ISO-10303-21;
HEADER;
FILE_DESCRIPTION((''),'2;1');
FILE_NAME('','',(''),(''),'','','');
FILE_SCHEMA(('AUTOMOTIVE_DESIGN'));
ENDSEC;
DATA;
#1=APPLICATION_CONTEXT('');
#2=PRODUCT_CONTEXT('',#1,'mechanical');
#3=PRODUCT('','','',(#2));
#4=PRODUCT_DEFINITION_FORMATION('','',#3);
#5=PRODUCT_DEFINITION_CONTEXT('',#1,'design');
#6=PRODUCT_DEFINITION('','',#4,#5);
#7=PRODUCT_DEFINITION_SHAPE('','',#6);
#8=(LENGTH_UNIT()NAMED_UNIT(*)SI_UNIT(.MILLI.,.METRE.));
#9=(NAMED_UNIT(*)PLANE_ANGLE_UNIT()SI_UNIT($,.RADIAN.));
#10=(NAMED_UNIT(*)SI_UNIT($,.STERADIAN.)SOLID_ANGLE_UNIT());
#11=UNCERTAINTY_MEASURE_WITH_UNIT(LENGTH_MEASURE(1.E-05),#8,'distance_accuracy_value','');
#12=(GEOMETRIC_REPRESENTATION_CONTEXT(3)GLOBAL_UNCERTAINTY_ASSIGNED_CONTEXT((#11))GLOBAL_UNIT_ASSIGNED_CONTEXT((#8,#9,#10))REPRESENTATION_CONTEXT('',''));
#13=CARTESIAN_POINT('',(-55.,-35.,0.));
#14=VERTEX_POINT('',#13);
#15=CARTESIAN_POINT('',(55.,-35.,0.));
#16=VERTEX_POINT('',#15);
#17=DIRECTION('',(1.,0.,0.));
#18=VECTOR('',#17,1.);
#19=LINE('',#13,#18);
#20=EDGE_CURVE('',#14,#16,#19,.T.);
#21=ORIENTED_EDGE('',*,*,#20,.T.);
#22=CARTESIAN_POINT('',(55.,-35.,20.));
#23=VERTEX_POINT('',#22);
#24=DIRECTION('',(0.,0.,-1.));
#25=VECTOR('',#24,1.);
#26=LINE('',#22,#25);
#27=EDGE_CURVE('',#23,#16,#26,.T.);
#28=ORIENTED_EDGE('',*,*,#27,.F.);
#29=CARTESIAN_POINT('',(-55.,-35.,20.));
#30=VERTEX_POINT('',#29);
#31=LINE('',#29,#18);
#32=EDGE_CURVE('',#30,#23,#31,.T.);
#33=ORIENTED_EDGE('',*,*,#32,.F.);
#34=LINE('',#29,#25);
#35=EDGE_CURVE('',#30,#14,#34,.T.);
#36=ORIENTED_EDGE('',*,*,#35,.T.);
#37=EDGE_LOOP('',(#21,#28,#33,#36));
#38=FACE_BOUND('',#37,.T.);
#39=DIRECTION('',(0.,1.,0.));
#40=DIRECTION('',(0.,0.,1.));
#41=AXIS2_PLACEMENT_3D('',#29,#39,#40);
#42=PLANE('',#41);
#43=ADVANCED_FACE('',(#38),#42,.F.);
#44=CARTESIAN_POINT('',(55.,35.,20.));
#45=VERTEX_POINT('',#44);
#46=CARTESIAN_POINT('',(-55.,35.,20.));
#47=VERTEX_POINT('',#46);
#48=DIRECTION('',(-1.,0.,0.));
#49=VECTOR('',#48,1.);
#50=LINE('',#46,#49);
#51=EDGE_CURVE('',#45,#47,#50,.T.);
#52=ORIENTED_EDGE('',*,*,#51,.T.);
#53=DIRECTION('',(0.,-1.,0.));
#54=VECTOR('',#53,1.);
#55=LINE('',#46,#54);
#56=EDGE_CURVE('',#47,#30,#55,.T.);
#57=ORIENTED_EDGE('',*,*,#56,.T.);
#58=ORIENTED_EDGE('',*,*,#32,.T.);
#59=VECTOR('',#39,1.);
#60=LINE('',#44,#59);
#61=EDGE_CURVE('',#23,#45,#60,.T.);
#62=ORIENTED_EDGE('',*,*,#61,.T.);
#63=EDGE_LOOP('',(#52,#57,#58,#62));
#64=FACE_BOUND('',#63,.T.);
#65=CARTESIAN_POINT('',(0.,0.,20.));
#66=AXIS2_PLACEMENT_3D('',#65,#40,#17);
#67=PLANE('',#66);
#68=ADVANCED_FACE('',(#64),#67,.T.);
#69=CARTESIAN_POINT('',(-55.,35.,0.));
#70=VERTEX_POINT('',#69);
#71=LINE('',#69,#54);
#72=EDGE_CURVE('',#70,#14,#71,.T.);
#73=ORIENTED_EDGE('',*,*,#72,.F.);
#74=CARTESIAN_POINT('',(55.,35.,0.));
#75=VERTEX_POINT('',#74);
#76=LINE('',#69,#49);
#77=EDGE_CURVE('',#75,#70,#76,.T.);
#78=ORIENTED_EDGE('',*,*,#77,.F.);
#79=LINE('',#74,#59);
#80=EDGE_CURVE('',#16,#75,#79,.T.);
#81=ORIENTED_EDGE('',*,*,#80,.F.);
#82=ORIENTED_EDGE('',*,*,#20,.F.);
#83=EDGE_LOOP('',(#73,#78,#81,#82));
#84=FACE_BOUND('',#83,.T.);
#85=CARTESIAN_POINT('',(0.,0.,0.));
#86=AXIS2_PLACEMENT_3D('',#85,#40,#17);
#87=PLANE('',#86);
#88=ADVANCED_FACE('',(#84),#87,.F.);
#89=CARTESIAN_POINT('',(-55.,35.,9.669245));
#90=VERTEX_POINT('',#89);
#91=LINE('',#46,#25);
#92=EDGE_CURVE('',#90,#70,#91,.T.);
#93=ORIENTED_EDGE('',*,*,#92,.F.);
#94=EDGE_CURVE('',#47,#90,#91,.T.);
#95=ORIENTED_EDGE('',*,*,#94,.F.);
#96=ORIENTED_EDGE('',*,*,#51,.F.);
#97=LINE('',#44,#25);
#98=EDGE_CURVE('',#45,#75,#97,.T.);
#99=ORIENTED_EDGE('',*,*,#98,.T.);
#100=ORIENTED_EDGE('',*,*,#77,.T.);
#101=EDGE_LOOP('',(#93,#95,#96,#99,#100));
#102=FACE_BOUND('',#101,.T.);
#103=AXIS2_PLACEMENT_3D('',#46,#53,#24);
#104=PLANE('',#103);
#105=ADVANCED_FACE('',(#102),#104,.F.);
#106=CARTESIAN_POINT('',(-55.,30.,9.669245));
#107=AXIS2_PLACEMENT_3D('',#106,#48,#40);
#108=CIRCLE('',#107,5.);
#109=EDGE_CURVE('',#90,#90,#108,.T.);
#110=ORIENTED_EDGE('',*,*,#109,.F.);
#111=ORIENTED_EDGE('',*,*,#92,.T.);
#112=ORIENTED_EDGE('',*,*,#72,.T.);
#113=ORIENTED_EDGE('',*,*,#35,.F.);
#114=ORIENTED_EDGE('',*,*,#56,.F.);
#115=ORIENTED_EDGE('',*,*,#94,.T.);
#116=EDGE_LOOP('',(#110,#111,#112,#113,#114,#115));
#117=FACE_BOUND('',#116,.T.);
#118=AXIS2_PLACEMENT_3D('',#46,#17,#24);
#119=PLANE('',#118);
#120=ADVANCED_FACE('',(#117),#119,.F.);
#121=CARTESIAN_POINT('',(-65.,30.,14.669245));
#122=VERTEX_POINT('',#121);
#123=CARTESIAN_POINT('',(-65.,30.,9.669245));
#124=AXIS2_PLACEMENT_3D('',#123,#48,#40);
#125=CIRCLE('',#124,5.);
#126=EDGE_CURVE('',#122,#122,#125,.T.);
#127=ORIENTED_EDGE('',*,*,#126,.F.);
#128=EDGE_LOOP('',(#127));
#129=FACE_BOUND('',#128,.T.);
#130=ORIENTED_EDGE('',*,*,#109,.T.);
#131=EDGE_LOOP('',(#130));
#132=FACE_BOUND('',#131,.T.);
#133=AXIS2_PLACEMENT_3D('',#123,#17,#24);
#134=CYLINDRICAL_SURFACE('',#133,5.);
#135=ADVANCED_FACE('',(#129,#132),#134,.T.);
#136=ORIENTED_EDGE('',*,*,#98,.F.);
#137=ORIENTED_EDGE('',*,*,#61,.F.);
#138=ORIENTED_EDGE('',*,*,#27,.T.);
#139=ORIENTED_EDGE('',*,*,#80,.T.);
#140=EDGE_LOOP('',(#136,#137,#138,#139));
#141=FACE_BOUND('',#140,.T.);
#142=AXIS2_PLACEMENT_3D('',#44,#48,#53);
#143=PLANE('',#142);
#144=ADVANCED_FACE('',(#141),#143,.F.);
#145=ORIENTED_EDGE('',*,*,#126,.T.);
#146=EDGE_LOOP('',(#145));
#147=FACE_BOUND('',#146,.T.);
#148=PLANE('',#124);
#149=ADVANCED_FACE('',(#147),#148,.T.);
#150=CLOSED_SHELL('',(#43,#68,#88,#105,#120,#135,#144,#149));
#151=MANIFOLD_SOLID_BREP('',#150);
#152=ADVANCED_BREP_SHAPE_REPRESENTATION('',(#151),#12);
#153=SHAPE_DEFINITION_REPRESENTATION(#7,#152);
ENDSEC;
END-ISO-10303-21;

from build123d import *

# Parameters (mm, degrees)
SKETCH_1_W      = 110
SKETCH_1_H      = 70
EXTRUDE_1_DEPTH = 20
SKETCH_2_R      = 5
EXTRUDE_2_DEPTH = 10


with BuildPart() as part:
    # 草图1 → 凸台-拉伸1 (new body)
    with BuildSketch(Plane.XY):
        Rectangle(SKETCH_1_W, SKETCH_1_H)
    extrude(amount=EXTRUDE_1_DEPTH)

    # 草图2 → 凸台-拉伸2 (add)
    with BuildSketch(Plane.ZY.offset(55)):
        with Locations(Location((9.669244668, 30, 0), (0, 0, 90))):
            Circle(SKETCH_2_R)
    extrude(amount=EXTRUDE_2_DEPTH)


solid = part.part
